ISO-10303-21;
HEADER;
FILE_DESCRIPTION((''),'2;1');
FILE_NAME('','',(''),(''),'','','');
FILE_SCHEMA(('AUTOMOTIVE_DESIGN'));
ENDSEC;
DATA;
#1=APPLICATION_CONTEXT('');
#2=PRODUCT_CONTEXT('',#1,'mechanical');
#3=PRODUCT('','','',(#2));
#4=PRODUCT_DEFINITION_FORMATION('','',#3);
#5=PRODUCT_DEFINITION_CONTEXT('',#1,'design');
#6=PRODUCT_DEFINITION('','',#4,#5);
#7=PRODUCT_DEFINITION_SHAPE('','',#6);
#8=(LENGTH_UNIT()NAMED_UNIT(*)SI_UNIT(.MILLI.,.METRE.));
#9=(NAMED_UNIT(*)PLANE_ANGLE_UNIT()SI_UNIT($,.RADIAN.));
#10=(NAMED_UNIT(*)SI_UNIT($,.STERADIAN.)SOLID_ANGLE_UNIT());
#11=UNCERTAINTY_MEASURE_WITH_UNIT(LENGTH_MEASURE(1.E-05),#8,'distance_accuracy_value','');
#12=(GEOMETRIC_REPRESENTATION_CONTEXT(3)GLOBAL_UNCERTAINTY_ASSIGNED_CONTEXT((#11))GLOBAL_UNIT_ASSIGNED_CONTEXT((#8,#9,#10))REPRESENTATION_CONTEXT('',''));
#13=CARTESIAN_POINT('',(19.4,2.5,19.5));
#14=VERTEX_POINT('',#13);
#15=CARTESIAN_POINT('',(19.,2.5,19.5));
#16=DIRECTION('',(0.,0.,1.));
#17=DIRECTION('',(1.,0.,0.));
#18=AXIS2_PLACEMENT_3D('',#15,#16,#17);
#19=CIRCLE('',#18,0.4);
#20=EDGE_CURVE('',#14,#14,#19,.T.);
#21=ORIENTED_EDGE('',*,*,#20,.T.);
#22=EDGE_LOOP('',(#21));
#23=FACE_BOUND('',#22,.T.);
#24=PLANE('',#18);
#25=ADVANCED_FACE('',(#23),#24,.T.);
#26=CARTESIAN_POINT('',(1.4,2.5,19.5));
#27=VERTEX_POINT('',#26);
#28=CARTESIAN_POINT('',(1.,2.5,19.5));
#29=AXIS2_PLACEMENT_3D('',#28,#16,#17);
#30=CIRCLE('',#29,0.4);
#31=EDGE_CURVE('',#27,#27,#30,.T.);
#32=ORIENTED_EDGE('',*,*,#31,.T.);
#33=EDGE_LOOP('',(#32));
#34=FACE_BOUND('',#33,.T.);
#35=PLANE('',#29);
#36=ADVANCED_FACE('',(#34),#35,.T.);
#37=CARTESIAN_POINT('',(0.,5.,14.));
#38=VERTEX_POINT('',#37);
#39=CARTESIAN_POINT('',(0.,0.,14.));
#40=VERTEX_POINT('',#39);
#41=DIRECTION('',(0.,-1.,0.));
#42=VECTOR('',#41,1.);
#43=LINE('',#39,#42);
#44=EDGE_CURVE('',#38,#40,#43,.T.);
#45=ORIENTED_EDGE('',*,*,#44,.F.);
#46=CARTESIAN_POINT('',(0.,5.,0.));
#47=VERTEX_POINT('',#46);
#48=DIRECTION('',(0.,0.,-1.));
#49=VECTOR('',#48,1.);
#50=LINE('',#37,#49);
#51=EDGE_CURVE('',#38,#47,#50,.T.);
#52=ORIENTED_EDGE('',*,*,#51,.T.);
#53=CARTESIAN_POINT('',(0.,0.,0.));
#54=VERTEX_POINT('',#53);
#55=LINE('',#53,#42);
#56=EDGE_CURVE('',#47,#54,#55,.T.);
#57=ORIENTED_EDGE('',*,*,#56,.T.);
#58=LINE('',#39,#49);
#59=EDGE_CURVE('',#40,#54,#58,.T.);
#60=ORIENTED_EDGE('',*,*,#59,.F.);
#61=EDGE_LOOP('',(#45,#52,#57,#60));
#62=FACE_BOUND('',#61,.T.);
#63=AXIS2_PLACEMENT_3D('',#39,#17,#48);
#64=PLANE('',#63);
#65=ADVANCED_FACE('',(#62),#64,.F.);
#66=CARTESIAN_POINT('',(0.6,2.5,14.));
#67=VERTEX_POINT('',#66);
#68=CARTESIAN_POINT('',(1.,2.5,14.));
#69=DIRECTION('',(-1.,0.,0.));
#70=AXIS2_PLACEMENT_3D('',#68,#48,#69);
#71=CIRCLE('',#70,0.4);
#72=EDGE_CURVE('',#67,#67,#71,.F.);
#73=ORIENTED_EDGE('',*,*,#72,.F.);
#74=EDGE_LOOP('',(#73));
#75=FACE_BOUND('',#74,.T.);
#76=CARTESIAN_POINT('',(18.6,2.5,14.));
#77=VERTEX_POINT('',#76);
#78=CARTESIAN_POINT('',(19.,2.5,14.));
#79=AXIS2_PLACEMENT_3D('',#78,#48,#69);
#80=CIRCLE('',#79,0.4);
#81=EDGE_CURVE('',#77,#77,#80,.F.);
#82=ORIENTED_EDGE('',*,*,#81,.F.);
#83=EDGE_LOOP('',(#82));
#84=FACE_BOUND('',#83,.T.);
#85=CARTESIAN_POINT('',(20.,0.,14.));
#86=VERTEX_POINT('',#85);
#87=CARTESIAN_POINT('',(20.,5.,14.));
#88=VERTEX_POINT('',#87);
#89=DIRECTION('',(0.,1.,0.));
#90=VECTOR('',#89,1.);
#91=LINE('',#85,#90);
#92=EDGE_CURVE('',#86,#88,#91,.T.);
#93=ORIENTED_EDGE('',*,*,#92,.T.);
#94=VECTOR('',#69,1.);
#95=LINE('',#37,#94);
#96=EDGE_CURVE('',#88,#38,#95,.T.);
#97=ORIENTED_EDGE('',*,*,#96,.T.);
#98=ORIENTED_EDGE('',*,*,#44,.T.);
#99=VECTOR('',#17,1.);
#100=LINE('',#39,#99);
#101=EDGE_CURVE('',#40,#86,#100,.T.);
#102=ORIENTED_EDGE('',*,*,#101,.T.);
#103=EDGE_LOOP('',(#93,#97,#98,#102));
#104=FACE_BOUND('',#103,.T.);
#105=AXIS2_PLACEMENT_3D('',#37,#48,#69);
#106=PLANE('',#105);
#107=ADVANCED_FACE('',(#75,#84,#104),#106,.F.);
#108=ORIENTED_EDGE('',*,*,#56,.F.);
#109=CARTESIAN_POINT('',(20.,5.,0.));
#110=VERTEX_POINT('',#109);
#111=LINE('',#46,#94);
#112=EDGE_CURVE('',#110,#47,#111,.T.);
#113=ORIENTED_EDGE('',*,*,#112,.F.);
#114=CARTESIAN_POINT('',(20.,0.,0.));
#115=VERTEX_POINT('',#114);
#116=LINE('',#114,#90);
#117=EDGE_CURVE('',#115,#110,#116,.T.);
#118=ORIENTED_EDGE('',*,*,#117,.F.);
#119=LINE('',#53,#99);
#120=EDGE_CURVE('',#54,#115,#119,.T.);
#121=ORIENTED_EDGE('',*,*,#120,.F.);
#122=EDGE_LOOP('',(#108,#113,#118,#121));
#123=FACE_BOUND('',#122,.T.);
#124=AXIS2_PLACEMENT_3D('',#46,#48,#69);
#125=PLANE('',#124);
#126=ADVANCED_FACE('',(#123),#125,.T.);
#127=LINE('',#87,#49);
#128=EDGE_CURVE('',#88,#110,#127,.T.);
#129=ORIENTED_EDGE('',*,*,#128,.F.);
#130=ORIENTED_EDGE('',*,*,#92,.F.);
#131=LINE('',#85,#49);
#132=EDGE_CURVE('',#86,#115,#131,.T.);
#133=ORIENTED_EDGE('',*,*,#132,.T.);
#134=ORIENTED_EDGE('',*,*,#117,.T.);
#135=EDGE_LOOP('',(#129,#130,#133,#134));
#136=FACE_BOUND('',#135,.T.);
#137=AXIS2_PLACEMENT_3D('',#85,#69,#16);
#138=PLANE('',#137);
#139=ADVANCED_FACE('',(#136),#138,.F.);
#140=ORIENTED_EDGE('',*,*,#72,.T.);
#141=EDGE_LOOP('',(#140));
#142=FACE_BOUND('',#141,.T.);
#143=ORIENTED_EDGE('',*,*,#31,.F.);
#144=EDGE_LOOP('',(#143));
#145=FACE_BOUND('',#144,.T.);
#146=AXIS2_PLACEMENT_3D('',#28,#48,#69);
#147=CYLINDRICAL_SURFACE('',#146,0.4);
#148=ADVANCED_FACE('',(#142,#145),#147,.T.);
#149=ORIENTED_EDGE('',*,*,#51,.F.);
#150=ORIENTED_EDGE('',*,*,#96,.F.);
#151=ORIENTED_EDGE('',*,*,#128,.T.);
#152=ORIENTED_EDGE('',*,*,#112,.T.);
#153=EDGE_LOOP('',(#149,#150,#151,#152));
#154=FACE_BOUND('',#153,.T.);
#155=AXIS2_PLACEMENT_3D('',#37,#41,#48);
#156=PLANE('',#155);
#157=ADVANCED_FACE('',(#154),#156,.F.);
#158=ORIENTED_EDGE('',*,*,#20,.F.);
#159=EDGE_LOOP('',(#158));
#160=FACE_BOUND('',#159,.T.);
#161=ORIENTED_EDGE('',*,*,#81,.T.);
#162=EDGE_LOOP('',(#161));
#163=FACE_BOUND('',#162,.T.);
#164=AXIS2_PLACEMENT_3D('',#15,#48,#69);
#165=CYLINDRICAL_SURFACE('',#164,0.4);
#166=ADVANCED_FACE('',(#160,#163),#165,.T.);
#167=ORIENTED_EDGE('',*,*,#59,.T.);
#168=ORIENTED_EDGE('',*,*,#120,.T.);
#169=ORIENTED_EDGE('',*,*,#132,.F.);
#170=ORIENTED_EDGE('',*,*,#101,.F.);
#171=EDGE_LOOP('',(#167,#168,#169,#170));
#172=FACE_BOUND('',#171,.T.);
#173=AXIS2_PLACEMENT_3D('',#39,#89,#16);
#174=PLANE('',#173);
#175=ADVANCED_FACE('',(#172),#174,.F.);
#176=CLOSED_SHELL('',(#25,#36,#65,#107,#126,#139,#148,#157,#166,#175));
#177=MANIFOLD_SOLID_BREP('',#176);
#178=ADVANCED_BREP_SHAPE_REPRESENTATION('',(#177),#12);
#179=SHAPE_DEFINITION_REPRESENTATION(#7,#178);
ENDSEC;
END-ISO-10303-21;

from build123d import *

# Parameters (mm, degrees)
SKETCH_1_W      = 20
SKETCH_1_H      = 5
EXTRUDE_1_DEPTH = 14
SKETCH_2_R      = 0.4
EXTRUDE_2_DEPTH = 5.5


with BuildPart() as part:
    # Эскиз1 → Вытянуть1 (new body)
    with BuildSketch(Plane.XY):
        with Locations((10, 2.5)):
            Rectangle(SKETCH_1_W, SKETCH_1_H)
    extrude(amount=EXTRUDE_1_DEPTH)

    # Эскиз2 → Вытянуть2 (add)
    with BuildSketch(Plane.XY.offset(14)):
        with Locations(Location((1, 2.5, 0), (0, 0, 180))):
            Circle(SKETCH_2_R)
        with Locations(Location((19, 2.5, 0), (0, 0, 180))):
            Circle(SKETCH_2_R)
    extrude(amount=EXTRUDE_2_DEPTH)


solid = part.part
